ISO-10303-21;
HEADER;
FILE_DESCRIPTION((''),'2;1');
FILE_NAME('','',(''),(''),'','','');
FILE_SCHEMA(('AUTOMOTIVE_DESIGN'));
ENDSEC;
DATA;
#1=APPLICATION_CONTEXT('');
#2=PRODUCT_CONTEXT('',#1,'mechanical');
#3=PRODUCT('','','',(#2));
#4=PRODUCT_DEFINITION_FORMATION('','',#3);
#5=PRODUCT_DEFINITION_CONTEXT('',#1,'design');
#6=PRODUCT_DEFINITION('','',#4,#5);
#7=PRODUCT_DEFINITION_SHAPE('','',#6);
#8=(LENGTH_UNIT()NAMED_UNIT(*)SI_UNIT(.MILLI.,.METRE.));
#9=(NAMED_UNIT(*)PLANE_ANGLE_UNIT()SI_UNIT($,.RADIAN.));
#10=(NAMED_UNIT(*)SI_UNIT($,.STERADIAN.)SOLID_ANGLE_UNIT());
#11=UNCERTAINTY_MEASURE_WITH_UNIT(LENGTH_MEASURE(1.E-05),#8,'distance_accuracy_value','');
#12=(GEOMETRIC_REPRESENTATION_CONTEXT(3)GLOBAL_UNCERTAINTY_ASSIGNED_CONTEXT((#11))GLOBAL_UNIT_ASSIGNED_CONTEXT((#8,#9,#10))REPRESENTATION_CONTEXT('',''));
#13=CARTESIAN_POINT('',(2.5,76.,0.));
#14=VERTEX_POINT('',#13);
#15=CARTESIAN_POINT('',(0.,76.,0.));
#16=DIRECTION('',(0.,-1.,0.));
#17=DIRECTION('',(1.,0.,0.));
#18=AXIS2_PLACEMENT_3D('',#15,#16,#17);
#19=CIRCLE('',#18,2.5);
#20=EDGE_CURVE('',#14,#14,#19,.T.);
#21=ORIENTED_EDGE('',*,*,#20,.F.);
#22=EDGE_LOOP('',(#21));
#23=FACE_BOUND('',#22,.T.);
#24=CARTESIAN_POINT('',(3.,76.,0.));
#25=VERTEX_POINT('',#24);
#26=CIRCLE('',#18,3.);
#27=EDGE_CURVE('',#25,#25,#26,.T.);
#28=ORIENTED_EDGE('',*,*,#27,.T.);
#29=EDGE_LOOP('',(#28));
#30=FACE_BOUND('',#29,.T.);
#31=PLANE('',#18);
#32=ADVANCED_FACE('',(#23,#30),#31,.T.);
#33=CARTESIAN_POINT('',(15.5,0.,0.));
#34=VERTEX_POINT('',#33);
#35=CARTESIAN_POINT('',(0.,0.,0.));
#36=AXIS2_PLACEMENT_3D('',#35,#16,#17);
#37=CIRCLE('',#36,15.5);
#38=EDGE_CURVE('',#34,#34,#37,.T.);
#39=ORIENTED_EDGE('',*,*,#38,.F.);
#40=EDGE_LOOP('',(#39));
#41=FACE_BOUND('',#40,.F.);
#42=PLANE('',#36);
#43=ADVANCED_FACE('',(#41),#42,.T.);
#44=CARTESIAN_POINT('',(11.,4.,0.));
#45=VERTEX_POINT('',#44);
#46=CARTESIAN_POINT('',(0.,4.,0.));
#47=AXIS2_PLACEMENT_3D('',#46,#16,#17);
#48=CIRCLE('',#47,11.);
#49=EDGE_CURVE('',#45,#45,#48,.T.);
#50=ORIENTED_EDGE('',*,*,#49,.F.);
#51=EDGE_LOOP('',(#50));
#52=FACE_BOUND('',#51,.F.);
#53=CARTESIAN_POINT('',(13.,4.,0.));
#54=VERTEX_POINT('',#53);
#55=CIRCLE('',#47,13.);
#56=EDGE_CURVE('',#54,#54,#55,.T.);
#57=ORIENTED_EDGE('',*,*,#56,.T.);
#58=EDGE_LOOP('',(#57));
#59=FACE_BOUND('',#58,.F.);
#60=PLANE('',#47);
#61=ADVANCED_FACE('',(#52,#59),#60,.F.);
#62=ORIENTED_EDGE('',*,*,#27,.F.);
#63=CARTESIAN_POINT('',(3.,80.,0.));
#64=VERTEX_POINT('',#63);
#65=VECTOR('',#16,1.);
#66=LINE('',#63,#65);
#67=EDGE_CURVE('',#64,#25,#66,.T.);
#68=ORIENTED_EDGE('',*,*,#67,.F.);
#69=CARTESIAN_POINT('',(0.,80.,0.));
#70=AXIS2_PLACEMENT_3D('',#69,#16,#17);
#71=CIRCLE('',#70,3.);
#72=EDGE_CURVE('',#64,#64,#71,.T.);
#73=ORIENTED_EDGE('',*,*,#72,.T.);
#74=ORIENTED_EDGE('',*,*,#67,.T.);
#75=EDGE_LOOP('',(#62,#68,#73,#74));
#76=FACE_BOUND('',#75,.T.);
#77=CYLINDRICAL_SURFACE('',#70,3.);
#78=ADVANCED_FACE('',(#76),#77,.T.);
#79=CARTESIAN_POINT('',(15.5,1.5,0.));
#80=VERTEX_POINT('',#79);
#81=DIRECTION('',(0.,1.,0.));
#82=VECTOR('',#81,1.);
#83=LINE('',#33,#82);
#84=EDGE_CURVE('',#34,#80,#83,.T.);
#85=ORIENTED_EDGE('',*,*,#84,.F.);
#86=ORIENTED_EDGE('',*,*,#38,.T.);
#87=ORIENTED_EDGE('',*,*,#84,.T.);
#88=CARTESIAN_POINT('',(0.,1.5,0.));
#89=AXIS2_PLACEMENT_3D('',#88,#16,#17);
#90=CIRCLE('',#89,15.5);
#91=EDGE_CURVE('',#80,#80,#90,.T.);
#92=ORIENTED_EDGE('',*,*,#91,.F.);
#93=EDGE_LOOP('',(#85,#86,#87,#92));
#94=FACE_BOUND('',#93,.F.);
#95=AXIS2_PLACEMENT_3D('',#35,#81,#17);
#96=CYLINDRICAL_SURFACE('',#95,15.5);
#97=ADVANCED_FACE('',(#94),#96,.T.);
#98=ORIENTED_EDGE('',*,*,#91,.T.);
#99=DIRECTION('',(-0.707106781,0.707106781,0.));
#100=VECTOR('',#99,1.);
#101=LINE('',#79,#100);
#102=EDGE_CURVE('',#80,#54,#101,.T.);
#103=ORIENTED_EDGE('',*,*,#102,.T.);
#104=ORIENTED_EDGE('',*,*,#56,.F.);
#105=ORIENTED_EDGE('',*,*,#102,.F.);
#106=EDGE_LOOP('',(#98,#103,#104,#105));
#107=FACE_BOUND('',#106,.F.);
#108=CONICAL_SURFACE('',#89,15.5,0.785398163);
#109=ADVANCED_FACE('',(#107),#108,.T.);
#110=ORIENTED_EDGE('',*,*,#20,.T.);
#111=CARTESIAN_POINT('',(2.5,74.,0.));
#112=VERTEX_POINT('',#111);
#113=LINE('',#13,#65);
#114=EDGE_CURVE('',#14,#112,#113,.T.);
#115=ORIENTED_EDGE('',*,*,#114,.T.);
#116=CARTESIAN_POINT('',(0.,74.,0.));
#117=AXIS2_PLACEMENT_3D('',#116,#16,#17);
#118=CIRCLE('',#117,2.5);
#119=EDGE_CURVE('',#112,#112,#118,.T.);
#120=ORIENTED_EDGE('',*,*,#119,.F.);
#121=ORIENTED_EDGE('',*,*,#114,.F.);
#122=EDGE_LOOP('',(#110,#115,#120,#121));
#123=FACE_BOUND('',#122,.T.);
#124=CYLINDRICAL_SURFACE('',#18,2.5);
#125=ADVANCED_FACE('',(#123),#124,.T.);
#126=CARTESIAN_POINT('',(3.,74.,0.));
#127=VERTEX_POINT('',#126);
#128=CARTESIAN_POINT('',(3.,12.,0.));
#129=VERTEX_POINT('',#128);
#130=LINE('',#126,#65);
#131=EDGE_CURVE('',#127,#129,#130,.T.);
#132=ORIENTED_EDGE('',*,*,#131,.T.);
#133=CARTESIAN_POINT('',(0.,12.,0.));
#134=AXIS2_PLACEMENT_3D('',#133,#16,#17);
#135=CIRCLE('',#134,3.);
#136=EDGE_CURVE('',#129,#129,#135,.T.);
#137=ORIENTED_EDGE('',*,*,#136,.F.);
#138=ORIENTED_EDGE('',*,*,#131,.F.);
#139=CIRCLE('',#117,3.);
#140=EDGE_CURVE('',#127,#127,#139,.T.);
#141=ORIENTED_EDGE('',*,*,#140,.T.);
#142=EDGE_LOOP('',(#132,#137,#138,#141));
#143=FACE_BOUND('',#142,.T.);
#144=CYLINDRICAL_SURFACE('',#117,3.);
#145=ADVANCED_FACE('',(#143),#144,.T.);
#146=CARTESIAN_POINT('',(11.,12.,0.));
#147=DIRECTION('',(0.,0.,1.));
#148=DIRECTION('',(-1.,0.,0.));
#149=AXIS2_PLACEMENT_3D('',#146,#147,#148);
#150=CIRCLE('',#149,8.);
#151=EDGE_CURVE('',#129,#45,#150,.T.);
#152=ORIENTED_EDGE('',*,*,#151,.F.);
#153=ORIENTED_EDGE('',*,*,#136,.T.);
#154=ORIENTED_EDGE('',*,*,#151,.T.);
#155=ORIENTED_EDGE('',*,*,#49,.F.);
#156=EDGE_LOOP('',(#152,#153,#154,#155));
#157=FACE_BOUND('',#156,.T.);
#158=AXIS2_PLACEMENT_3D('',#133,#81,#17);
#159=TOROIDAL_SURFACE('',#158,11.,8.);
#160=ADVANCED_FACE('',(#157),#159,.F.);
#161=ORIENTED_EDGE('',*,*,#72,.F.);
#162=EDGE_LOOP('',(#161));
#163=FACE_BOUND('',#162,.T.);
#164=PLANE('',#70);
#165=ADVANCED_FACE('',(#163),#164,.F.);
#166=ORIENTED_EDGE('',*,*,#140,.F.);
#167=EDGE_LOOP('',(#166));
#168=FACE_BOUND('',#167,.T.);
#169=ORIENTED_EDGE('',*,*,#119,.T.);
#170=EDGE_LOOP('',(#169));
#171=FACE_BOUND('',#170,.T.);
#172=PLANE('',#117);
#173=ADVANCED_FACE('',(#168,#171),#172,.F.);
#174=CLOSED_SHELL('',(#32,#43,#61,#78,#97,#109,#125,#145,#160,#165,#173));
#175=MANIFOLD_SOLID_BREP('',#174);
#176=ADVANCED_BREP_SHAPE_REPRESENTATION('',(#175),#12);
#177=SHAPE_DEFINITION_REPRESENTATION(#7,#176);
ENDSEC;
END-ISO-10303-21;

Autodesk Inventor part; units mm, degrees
ref_plane "YZ Plane" through (0, 0, 0) normal (1, 0, 0) x (0, 1, 0)
ref_plane "XZ Plane" through (0, 0, 0) normal (0, 1, 0) x (-1, 0, 0)
ref_plane "XY Plane" through (0, 0, 0) normal (0, 0, 1) x (1, 0, 0)
sketch "Эскиз1" plane through (0, 0, 0) normal (0, 0, 1) x (1, 0, 0)
  line L0 (0, 0) -> (15.5, 0)
  line L1 (15.5, 0) -> (15.5, 1.5)
  line L2 (15.5, 1.5) -> (13, 4)
  line L3 (0, 80) -> (3, 80)
  line L4 (13, 4) -> (11, 4)
  arc A0 (3, 12) -> (11, 4) centre (11, 12) ccw
  line L5 (3, 80) -> (3, 76)
  line L6 (3, 76) -> (2.5, 76)
  line L7 (2.5, 76) -> (2.5, 74)
  line L8 (2.5, 74) -> (3, 74)
  line L9 (3, 80) -> (3, 76)
  line L10 (3, 74) -> (3, 12)
  line L11 (0, 80) -> (0, 0)
  dimension "d0" = 15.5
  dimension "d1" = 1.5
  dimension "d2" = 45
  dimension "d3" = 13
  dimension "d4" = 3
  dimension "d5" = 8
  dimension "d6" = 80
  dimension "d7" = 4
  dimension "d8" = 2
  dimension "d9" = 0.5
revolve "Вращение1" add sketch "Эскиз1" angle 360 about axis through (0, 80, 0) along (0, -1, 0)
properties part number "выпускной_клапан"
